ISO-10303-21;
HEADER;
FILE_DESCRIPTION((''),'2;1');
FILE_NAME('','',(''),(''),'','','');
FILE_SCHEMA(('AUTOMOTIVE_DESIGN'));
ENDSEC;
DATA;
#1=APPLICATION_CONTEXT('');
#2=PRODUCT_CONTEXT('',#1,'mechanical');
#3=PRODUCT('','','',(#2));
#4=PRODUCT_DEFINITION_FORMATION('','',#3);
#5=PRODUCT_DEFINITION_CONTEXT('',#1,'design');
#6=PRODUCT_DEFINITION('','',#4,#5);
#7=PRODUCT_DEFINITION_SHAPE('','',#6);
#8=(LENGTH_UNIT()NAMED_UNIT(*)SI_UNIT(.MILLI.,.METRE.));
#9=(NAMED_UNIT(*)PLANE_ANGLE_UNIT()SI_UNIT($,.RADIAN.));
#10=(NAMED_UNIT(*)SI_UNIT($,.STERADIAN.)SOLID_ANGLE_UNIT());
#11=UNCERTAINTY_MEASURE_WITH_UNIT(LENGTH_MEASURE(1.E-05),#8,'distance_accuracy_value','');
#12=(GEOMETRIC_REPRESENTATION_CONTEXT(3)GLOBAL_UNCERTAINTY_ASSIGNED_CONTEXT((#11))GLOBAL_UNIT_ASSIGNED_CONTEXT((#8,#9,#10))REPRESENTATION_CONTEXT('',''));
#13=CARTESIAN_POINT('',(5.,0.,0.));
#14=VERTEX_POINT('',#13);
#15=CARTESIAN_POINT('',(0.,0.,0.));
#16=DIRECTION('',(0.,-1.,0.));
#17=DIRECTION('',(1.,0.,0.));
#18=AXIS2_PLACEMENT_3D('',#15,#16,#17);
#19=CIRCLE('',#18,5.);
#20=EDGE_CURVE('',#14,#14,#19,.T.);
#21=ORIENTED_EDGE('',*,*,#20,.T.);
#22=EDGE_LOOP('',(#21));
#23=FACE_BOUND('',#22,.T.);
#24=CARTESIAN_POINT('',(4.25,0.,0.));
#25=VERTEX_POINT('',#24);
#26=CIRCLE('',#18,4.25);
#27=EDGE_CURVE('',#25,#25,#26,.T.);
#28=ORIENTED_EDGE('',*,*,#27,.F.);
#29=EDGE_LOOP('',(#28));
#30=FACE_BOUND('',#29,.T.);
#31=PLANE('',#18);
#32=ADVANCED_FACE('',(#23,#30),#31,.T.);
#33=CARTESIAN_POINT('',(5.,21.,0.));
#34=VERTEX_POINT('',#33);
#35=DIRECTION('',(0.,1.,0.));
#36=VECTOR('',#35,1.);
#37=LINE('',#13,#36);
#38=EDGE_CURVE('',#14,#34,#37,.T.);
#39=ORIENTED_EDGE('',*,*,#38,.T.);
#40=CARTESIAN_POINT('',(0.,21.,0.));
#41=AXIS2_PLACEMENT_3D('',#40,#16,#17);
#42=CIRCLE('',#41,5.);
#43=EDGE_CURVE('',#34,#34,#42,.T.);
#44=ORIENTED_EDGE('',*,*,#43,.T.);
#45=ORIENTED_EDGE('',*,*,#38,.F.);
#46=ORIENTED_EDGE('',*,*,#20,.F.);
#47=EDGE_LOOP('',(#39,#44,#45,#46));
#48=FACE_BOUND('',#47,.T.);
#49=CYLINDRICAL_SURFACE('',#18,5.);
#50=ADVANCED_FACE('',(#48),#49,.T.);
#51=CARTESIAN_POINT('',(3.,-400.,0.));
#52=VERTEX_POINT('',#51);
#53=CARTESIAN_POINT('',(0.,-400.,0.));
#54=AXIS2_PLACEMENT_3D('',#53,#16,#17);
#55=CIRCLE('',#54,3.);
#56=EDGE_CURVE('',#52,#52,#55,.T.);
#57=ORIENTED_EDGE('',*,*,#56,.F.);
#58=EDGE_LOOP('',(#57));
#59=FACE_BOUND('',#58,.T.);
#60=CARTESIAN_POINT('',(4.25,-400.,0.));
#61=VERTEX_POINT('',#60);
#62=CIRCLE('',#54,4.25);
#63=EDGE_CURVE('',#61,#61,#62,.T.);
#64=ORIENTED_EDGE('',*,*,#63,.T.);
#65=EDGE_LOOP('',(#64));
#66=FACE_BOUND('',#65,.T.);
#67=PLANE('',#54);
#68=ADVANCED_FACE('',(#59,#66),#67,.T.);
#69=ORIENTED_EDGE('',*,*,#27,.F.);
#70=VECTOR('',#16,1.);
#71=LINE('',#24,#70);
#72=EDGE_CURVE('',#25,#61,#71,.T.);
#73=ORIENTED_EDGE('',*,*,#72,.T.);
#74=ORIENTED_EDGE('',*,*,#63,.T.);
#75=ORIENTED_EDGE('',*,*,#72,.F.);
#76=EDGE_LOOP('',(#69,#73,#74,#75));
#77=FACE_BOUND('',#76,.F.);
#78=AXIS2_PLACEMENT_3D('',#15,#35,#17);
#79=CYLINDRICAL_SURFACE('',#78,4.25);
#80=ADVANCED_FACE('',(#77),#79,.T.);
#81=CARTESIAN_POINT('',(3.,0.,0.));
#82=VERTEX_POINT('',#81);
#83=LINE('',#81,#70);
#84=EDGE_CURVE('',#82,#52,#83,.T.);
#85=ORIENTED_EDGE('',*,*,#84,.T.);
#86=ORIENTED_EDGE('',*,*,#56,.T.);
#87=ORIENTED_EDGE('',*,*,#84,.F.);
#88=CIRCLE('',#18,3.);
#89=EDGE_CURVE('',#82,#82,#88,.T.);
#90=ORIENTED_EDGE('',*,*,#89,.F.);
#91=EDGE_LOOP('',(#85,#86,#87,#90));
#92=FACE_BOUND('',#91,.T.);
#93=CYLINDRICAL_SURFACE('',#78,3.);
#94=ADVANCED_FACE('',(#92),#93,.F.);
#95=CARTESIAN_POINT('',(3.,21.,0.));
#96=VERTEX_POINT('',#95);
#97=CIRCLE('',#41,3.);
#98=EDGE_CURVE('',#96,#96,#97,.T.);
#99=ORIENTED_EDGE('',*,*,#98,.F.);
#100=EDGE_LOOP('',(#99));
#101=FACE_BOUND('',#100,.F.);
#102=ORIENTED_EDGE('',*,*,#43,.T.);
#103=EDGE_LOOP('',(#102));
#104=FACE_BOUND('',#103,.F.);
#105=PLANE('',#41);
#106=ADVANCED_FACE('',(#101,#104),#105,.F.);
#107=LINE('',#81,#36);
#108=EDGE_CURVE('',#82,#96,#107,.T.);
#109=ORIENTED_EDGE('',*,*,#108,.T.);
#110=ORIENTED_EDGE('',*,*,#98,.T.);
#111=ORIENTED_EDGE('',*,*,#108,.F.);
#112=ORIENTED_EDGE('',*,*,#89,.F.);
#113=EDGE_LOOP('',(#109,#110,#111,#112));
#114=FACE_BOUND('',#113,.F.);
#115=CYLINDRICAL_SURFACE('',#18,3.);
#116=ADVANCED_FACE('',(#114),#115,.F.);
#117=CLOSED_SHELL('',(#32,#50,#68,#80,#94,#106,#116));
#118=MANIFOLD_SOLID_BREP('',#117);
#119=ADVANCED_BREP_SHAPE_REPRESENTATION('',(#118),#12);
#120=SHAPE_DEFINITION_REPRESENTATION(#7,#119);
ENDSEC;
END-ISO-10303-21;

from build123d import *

# Parameters (mm, degrees)
F0_R          = 4.25
F0_R_2        = 3
F1_DEPTH      = 21
F1_DEPTH_BACK = 400
F0_R_3        = 5
F2_DEPTH      = 21


with BuildPart() as f1:
    # F0 (on Front) → F1 (new body, two sides)
    with BuildSketch(Plane.XZ) as f1_sk:
        Circle(F0_R)
        Circle(F0_R_2, mode=Mode.SUBTRACT)
    extrude(amount=-F1_DEPTH)
    extrude(f1_sk.sketch, amount=F1_DEPTH_BACK)

    # F0 (on Front) → F2 (join)
    with BuildSketch(Plane.XZ):
        Circle(F0_R_3)
        Circle(F0_R, mode=Mode.SUBTRACT)
    extrude(amount=-F2_DEPTH)


solid = f1.part
